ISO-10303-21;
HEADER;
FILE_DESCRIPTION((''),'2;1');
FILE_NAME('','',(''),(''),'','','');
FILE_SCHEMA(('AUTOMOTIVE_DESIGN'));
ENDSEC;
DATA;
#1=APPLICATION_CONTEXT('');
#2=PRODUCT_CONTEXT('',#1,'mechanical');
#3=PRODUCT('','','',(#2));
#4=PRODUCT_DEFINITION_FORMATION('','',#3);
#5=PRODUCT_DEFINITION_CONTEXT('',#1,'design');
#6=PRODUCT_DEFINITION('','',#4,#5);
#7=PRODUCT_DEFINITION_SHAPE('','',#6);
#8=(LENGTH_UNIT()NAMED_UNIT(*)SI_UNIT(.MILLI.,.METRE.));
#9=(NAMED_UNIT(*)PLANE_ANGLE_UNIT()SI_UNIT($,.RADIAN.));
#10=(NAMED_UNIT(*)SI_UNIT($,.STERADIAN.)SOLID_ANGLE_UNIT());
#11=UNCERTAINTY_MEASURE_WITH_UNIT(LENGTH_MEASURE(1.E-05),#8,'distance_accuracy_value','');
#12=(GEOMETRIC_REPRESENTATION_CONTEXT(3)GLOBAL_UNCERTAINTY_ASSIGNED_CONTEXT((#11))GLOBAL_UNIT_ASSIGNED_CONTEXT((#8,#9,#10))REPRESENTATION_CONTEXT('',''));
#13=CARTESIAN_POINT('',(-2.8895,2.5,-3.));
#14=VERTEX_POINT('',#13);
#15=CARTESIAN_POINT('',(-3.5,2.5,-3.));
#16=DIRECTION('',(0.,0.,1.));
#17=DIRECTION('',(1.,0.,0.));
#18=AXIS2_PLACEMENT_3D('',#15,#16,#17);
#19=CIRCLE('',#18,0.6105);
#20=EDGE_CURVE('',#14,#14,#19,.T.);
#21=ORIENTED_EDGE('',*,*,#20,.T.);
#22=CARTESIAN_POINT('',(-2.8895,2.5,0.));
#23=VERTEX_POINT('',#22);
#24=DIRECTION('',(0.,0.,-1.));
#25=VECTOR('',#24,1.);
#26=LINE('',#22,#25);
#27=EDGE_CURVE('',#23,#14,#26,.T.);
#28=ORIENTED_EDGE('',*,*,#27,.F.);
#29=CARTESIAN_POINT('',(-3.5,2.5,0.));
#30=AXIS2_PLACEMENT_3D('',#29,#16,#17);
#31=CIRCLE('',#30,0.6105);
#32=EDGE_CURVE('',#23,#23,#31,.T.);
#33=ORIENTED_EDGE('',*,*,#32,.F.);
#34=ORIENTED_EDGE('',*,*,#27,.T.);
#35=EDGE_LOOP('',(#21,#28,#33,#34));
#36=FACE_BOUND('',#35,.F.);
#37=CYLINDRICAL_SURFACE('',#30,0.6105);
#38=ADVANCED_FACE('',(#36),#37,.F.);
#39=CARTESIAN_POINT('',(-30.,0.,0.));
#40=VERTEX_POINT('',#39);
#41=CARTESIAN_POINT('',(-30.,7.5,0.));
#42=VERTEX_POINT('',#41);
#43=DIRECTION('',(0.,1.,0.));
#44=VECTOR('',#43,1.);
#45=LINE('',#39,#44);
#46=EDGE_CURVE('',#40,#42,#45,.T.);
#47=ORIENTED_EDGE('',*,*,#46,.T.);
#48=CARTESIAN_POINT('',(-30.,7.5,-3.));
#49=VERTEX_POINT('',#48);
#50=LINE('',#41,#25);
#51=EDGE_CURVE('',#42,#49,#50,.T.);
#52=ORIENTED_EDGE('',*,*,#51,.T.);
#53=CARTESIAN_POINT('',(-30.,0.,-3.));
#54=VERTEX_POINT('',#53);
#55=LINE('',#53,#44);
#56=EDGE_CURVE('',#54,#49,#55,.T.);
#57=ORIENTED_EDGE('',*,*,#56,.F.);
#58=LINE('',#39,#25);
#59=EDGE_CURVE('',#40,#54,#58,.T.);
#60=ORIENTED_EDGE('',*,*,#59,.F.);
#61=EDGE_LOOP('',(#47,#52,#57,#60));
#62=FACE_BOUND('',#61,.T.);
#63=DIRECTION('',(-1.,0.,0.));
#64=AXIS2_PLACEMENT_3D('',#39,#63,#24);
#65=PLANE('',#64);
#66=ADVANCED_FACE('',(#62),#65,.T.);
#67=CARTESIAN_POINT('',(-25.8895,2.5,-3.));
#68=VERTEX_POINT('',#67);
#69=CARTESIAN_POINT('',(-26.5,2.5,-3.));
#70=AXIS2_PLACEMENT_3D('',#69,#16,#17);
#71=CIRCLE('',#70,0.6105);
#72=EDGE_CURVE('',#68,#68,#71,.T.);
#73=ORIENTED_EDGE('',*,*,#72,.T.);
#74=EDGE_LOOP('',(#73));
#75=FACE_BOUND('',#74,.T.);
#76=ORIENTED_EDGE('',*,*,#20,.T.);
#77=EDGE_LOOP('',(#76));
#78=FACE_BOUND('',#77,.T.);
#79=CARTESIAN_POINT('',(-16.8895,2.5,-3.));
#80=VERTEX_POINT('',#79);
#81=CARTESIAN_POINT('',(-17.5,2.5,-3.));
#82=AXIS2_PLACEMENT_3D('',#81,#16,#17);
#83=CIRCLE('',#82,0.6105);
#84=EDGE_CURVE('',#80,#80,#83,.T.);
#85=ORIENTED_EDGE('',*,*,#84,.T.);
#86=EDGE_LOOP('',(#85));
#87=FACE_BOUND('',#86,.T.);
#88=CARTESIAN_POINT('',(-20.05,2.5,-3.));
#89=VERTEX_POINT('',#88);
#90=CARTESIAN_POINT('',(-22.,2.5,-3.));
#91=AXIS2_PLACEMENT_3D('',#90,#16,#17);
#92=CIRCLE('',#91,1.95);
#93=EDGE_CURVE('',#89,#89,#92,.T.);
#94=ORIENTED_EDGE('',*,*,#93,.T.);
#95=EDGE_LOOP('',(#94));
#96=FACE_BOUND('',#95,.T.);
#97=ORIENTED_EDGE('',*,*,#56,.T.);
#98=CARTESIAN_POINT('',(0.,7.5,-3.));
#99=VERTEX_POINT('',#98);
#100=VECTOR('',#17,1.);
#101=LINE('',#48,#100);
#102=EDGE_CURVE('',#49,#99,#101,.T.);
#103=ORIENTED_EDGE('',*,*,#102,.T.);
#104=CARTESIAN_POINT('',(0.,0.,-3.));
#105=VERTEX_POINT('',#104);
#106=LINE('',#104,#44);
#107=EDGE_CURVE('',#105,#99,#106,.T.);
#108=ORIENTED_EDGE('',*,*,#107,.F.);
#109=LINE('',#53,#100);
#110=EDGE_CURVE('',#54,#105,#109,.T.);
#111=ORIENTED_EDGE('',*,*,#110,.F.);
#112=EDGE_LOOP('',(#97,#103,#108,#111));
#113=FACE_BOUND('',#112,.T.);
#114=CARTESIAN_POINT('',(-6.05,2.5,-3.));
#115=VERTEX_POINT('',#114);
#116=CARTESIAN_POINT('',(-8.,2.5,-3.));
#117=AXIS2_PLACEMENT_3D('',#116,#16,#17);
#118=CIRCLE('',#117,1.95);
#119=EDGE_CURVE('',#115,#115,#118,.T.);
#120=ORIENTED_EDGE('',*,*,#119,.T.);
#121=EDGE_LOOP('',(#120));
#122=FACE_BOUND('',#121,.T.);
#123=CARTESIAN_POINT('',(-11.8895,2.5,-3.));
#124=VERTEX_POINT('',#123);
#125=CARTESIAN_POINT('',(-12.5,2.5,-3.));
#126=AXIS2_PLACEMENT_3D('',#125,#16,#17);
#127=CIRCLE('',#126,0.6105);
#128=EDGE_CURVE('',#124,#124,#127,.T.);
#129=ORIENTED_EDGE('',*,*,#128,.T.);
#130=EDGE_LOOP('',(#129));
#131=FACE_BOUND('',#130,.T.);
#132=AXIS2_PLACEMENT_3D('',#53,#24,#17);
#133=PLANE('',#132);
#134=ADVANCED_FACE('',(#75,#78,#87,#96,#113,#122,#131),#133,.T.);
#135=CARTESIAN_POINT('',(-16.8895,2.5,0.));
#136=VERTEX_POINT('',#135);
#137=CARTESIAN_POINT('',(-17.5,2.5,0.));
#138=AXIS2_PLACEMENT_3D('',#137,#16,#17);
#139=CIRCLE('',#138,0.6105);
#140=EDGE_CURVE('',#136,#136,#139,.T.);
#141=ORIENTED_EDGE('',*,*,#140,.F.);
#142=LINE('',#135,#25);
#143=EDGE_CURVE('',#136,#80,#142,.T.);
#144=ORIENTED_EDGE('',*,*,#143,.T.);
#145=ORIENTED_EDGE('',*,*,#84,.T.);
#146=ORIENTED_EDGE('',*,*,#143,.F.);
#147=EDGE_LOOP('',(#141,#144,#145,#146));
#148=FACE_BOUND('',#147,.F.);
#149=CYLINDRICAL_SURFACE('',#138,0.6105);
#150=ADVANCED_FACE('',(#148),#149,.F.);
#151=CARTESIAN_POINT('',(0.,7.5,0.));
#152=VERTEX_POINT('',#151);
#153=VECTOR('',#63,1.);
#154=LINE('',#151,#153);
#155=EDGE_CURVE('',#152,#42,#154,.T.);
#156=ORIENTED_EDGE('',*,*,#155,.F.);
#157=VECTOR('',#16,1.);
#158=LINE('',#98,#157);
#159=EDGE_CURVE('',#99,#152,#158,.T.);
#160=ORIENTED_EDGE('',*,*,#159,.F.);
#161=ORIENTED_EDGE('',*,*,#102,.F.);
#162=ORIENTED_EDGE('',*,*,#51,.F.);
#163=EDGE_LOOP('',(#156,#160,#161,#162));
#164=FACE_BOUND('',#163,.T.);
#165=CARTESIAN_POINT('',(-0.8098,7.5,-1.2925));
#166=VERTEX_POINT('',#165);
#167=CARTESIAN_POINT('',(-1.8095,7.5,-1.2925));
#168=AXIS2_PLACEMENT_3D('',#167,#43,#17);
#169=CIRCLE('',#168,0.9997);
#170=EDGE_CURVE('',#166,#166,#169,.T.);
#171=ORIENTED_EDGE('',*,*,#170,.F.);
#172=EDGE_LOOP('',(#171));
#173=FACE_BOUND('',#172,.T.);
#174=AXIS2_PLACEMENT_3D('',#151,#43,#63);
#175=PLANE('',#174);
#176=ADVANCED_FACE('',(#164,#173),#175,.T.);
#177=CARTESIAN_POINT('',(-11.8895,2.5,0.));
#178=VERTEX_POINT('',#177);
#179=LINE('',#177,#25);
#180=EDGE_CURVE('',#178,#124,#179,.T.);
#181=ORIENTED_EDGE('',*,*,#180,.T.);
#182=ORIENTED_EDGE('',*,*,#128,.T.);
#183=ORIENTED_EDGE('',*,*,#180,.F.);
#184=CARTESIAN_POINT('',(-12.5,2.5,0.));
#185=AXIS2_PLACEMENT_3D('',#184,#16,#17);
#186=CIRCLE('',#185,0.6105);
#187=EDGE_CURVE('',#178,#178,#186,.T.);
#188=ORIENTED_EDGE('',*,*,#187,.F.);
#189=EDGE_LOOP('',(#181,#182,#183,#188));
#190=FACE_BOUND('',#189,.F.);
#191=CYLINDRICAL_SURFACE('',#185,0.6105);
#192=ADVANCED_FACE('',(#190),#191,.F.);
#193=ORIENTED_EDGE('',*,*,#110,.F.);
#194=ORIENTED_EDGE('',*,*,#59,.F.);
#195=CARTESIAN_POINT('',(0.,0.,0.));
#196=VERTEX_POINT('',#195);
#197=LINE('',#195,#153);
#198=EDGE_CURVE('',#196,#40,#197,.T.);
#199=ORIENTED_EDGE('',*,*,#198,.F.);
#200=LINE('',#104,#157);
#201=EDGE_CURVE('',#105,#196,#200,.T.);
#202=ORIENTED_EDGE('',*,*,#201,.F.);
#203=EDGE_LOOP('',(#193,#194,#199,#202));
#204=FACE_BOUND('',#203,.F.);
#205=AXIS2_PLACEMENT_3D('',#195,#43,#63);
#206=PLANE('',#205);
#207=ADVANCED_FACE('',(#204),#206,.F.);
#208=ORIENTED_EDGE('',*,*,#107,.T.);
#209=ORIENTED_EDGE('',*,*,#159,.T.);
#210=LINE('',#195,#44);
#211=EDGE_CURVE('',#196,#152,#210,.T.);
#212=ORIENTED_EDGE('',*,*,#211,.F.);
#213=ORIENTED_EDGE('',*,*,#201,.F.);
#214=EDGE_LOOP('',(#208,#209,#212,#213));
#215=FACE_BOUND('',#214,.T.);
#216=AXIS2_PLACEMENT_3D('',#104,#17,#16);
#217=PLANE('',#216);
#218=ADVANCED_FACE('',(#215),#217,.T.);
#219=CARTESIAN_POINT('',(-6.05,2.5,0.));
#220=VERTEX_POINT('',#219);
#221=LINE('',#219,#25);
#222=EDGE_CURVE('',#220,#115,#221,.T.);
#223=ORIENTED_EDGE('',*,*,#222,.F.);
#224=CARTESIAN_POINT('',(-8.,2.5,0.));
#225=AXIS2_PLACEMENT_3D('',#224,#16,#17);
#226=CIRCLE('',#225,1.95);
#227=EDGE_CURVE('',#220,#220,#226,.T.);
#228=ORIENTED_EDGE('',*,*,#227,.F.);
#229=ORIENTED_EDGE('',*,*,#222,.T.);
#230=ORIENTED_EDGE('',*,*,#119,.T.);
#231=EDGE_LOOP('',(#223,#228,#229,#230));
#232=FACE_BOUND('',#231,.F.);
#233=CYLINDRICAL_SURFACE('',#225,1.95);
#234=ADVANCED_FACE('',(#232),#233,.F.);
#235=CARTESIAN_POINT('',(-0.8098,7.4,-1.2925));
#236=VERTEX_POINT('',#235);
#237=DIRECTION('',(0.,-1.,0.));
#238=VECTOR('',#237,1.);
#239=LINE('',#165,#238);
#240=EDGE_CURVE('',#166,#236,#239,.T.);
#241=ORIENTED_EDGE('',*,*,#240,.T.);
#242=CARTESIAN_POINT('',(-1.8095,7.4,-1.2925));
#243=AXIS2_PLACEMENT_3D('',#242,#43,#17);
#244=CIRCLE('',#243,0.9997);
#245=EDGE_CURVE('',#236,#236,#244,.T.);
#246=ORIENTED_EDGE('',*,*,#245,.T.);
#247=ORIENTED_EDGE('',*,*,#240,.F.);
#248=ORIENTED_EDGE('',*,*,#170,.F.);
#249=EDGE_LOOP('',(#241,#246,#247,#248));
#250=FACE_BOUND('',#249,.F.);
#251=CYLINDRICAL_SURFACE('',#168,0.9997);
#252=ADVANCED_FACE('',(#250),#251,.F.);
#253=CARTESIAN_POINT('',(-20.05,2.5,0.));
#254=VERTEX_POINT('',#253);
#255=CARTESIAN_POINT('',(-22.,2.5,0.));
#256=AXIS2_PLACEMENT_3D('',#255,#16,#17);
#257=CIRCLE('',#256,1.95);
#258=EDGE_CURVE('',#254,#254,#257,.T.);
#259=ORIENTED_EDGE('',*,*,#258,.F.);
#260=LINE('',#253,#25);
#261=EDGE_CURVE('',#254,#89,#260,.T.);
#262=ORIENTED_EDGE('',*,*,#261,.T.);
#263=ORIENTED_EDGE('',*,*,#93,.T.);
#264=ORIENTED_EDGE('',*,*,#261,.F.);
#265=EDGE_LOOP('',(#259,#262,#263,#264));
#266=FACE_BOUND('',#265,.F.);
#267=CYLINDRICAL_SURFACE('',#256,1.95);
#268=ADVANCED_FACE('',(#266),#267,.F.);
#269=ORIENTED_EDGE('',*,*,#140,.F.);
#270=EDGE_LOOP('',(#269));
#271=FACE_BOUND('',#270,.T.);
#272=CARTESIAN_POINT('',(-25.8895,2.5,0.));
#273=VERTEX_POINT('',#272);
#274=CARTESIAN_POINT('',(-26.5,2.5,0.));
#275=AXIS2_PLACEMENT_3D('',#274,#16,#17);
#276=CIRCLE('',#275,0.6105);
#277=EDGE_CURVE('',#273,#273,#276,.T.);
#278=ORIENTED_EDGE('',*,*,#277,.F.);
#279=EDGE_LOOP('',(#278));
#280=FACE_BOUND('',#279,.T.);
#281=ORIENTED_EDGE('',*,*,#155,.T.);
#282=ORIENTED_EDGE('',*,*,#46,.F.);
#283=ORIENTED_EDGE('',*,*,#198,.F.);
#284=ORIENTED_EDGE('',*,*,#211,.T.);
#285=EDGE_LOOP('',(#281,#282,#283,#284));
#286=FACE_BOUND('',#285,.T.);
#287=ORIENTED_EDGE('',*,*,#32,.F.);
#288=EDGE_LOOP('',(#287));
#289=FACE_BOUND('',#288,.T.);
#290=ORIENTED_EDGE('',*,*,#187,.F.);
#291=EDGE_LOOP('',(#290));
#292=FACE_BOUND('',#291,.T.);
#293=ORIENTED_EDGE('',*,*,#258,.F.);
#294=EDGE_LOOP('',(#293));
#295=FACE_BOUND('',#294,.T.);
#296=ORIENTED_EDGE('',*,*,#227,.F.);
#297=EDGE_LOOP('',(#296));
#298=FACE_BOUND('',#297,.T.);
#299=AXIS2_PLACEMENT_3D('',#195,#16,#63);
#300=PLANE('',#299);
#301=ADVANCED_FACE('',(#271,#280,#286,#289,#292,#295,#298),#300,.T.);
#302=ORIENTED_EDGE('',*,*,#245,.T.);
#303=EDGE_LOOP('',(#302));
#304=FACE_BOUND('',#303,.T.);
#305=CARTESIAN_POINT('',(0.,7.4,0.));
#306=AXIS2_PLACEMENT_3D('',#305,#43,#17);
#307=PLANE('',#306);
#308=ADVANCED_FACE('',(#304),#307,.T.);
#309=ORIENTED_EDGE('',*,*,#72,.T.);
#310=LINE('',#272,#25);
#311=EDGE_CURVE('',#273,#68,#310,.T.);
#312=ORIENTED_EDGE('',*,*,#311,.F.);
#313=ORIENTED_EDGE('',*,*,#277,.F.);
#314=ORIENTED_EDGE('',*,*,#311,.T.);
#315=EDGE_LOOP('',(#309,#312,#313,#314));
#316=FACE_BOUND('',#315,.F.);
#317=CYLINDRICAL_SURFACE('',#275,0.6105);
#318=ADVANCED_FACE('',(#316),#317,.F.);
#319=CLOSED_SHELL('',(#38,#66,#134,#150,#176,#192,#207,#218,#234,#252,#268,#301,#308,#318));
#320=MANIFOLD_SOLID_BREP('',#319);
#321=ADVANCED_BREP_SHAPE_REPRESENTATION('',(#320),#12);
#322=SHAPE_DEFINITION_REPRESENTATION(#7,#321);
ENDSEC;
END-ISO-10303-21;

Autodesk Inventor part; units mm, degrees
ref_plane "YZ Plane" through (0, 0, 0) normal (1, 0, 0) x (0, 1, 0)
ref_plane "XZ Plane" through (0, 0, 0) normal (0, 1, 0) x (-1, 0, 0)
ref_plane "XY Plane" through (0, 0, 0) normal (0, 0, 1) x (1, 0, 0)
sketch "Sketch1" plane through (0, 0, 0) normal (0, 1, 0) x (-1, 0, 0)
  line L0 (0, 0) -> (30, 0)
  line L1 (30, 0) -> (30, -3)
  line L2 (30, -3) -> (0, -3)
  line L3 (0, -3) -> (0, 0)
  dimension "d0" = 30
  dimension "d1" = 3
extrude "Extrusion1" add sketch "Sketch1" along normal blind 7.5
sketch "Sketch2" plane through (0, 7.5, 0) normal (0, 1, 0) x (1, 0, 0)
  circle A0 centre (-1.8095, 1.2925) radius 0.9997
  point P0 (0, 0)
extrude "Extrusion2" cut sketch "Sketch2" against normal blind 0.1
sketch "Sketch3" plane through (-30, 0, 0) normal (0, 0, 1) x (1, 0, 0)
  circle A0 centre (26.5, 2.5) radius 0.6105
  circle A1 centre (22, 2.5) radius 1.95
  circle A2 centre (17.5, 2.5) radius 0.6105
  line L0 (0, 0) -> (30, 0) projected
  line L1 (30, 0) -> (30, 7.5) projected
  line L2 (0, 7.5) -> (30, 7.5) projected
  line L3 (0, 7.5) -> (30, 7.5)
  line L4 (30, 7.5) -> (15, 7.5)
  line L5 (15, 0) -> (15, 7.5)
  circle A3 centre (3.5, 2.5) radius 0.6105
  circle A4 centre (8, 2.5) radius 1.95
  circle A5 centre (12.5, 2.5) radius 0.6105
  dimension "d6" = 1.221
  dimension "d7" = 3.9
  dimension "d8" = 1.221
  dimension "d9" = 2.5
  dimension "d10" = 2.5
  dimension "d11" = 2.5
  dimension "d12" = 3.5
  dimension "d13" = 8
  dimension "d14" = 4.5
extrude "Extrusion3" cut sketch "Sketch3" against normal blind 3 contours A0 | A1 | A2 | A3 | A4 | A5
properties part number "backmidmotorwall"
